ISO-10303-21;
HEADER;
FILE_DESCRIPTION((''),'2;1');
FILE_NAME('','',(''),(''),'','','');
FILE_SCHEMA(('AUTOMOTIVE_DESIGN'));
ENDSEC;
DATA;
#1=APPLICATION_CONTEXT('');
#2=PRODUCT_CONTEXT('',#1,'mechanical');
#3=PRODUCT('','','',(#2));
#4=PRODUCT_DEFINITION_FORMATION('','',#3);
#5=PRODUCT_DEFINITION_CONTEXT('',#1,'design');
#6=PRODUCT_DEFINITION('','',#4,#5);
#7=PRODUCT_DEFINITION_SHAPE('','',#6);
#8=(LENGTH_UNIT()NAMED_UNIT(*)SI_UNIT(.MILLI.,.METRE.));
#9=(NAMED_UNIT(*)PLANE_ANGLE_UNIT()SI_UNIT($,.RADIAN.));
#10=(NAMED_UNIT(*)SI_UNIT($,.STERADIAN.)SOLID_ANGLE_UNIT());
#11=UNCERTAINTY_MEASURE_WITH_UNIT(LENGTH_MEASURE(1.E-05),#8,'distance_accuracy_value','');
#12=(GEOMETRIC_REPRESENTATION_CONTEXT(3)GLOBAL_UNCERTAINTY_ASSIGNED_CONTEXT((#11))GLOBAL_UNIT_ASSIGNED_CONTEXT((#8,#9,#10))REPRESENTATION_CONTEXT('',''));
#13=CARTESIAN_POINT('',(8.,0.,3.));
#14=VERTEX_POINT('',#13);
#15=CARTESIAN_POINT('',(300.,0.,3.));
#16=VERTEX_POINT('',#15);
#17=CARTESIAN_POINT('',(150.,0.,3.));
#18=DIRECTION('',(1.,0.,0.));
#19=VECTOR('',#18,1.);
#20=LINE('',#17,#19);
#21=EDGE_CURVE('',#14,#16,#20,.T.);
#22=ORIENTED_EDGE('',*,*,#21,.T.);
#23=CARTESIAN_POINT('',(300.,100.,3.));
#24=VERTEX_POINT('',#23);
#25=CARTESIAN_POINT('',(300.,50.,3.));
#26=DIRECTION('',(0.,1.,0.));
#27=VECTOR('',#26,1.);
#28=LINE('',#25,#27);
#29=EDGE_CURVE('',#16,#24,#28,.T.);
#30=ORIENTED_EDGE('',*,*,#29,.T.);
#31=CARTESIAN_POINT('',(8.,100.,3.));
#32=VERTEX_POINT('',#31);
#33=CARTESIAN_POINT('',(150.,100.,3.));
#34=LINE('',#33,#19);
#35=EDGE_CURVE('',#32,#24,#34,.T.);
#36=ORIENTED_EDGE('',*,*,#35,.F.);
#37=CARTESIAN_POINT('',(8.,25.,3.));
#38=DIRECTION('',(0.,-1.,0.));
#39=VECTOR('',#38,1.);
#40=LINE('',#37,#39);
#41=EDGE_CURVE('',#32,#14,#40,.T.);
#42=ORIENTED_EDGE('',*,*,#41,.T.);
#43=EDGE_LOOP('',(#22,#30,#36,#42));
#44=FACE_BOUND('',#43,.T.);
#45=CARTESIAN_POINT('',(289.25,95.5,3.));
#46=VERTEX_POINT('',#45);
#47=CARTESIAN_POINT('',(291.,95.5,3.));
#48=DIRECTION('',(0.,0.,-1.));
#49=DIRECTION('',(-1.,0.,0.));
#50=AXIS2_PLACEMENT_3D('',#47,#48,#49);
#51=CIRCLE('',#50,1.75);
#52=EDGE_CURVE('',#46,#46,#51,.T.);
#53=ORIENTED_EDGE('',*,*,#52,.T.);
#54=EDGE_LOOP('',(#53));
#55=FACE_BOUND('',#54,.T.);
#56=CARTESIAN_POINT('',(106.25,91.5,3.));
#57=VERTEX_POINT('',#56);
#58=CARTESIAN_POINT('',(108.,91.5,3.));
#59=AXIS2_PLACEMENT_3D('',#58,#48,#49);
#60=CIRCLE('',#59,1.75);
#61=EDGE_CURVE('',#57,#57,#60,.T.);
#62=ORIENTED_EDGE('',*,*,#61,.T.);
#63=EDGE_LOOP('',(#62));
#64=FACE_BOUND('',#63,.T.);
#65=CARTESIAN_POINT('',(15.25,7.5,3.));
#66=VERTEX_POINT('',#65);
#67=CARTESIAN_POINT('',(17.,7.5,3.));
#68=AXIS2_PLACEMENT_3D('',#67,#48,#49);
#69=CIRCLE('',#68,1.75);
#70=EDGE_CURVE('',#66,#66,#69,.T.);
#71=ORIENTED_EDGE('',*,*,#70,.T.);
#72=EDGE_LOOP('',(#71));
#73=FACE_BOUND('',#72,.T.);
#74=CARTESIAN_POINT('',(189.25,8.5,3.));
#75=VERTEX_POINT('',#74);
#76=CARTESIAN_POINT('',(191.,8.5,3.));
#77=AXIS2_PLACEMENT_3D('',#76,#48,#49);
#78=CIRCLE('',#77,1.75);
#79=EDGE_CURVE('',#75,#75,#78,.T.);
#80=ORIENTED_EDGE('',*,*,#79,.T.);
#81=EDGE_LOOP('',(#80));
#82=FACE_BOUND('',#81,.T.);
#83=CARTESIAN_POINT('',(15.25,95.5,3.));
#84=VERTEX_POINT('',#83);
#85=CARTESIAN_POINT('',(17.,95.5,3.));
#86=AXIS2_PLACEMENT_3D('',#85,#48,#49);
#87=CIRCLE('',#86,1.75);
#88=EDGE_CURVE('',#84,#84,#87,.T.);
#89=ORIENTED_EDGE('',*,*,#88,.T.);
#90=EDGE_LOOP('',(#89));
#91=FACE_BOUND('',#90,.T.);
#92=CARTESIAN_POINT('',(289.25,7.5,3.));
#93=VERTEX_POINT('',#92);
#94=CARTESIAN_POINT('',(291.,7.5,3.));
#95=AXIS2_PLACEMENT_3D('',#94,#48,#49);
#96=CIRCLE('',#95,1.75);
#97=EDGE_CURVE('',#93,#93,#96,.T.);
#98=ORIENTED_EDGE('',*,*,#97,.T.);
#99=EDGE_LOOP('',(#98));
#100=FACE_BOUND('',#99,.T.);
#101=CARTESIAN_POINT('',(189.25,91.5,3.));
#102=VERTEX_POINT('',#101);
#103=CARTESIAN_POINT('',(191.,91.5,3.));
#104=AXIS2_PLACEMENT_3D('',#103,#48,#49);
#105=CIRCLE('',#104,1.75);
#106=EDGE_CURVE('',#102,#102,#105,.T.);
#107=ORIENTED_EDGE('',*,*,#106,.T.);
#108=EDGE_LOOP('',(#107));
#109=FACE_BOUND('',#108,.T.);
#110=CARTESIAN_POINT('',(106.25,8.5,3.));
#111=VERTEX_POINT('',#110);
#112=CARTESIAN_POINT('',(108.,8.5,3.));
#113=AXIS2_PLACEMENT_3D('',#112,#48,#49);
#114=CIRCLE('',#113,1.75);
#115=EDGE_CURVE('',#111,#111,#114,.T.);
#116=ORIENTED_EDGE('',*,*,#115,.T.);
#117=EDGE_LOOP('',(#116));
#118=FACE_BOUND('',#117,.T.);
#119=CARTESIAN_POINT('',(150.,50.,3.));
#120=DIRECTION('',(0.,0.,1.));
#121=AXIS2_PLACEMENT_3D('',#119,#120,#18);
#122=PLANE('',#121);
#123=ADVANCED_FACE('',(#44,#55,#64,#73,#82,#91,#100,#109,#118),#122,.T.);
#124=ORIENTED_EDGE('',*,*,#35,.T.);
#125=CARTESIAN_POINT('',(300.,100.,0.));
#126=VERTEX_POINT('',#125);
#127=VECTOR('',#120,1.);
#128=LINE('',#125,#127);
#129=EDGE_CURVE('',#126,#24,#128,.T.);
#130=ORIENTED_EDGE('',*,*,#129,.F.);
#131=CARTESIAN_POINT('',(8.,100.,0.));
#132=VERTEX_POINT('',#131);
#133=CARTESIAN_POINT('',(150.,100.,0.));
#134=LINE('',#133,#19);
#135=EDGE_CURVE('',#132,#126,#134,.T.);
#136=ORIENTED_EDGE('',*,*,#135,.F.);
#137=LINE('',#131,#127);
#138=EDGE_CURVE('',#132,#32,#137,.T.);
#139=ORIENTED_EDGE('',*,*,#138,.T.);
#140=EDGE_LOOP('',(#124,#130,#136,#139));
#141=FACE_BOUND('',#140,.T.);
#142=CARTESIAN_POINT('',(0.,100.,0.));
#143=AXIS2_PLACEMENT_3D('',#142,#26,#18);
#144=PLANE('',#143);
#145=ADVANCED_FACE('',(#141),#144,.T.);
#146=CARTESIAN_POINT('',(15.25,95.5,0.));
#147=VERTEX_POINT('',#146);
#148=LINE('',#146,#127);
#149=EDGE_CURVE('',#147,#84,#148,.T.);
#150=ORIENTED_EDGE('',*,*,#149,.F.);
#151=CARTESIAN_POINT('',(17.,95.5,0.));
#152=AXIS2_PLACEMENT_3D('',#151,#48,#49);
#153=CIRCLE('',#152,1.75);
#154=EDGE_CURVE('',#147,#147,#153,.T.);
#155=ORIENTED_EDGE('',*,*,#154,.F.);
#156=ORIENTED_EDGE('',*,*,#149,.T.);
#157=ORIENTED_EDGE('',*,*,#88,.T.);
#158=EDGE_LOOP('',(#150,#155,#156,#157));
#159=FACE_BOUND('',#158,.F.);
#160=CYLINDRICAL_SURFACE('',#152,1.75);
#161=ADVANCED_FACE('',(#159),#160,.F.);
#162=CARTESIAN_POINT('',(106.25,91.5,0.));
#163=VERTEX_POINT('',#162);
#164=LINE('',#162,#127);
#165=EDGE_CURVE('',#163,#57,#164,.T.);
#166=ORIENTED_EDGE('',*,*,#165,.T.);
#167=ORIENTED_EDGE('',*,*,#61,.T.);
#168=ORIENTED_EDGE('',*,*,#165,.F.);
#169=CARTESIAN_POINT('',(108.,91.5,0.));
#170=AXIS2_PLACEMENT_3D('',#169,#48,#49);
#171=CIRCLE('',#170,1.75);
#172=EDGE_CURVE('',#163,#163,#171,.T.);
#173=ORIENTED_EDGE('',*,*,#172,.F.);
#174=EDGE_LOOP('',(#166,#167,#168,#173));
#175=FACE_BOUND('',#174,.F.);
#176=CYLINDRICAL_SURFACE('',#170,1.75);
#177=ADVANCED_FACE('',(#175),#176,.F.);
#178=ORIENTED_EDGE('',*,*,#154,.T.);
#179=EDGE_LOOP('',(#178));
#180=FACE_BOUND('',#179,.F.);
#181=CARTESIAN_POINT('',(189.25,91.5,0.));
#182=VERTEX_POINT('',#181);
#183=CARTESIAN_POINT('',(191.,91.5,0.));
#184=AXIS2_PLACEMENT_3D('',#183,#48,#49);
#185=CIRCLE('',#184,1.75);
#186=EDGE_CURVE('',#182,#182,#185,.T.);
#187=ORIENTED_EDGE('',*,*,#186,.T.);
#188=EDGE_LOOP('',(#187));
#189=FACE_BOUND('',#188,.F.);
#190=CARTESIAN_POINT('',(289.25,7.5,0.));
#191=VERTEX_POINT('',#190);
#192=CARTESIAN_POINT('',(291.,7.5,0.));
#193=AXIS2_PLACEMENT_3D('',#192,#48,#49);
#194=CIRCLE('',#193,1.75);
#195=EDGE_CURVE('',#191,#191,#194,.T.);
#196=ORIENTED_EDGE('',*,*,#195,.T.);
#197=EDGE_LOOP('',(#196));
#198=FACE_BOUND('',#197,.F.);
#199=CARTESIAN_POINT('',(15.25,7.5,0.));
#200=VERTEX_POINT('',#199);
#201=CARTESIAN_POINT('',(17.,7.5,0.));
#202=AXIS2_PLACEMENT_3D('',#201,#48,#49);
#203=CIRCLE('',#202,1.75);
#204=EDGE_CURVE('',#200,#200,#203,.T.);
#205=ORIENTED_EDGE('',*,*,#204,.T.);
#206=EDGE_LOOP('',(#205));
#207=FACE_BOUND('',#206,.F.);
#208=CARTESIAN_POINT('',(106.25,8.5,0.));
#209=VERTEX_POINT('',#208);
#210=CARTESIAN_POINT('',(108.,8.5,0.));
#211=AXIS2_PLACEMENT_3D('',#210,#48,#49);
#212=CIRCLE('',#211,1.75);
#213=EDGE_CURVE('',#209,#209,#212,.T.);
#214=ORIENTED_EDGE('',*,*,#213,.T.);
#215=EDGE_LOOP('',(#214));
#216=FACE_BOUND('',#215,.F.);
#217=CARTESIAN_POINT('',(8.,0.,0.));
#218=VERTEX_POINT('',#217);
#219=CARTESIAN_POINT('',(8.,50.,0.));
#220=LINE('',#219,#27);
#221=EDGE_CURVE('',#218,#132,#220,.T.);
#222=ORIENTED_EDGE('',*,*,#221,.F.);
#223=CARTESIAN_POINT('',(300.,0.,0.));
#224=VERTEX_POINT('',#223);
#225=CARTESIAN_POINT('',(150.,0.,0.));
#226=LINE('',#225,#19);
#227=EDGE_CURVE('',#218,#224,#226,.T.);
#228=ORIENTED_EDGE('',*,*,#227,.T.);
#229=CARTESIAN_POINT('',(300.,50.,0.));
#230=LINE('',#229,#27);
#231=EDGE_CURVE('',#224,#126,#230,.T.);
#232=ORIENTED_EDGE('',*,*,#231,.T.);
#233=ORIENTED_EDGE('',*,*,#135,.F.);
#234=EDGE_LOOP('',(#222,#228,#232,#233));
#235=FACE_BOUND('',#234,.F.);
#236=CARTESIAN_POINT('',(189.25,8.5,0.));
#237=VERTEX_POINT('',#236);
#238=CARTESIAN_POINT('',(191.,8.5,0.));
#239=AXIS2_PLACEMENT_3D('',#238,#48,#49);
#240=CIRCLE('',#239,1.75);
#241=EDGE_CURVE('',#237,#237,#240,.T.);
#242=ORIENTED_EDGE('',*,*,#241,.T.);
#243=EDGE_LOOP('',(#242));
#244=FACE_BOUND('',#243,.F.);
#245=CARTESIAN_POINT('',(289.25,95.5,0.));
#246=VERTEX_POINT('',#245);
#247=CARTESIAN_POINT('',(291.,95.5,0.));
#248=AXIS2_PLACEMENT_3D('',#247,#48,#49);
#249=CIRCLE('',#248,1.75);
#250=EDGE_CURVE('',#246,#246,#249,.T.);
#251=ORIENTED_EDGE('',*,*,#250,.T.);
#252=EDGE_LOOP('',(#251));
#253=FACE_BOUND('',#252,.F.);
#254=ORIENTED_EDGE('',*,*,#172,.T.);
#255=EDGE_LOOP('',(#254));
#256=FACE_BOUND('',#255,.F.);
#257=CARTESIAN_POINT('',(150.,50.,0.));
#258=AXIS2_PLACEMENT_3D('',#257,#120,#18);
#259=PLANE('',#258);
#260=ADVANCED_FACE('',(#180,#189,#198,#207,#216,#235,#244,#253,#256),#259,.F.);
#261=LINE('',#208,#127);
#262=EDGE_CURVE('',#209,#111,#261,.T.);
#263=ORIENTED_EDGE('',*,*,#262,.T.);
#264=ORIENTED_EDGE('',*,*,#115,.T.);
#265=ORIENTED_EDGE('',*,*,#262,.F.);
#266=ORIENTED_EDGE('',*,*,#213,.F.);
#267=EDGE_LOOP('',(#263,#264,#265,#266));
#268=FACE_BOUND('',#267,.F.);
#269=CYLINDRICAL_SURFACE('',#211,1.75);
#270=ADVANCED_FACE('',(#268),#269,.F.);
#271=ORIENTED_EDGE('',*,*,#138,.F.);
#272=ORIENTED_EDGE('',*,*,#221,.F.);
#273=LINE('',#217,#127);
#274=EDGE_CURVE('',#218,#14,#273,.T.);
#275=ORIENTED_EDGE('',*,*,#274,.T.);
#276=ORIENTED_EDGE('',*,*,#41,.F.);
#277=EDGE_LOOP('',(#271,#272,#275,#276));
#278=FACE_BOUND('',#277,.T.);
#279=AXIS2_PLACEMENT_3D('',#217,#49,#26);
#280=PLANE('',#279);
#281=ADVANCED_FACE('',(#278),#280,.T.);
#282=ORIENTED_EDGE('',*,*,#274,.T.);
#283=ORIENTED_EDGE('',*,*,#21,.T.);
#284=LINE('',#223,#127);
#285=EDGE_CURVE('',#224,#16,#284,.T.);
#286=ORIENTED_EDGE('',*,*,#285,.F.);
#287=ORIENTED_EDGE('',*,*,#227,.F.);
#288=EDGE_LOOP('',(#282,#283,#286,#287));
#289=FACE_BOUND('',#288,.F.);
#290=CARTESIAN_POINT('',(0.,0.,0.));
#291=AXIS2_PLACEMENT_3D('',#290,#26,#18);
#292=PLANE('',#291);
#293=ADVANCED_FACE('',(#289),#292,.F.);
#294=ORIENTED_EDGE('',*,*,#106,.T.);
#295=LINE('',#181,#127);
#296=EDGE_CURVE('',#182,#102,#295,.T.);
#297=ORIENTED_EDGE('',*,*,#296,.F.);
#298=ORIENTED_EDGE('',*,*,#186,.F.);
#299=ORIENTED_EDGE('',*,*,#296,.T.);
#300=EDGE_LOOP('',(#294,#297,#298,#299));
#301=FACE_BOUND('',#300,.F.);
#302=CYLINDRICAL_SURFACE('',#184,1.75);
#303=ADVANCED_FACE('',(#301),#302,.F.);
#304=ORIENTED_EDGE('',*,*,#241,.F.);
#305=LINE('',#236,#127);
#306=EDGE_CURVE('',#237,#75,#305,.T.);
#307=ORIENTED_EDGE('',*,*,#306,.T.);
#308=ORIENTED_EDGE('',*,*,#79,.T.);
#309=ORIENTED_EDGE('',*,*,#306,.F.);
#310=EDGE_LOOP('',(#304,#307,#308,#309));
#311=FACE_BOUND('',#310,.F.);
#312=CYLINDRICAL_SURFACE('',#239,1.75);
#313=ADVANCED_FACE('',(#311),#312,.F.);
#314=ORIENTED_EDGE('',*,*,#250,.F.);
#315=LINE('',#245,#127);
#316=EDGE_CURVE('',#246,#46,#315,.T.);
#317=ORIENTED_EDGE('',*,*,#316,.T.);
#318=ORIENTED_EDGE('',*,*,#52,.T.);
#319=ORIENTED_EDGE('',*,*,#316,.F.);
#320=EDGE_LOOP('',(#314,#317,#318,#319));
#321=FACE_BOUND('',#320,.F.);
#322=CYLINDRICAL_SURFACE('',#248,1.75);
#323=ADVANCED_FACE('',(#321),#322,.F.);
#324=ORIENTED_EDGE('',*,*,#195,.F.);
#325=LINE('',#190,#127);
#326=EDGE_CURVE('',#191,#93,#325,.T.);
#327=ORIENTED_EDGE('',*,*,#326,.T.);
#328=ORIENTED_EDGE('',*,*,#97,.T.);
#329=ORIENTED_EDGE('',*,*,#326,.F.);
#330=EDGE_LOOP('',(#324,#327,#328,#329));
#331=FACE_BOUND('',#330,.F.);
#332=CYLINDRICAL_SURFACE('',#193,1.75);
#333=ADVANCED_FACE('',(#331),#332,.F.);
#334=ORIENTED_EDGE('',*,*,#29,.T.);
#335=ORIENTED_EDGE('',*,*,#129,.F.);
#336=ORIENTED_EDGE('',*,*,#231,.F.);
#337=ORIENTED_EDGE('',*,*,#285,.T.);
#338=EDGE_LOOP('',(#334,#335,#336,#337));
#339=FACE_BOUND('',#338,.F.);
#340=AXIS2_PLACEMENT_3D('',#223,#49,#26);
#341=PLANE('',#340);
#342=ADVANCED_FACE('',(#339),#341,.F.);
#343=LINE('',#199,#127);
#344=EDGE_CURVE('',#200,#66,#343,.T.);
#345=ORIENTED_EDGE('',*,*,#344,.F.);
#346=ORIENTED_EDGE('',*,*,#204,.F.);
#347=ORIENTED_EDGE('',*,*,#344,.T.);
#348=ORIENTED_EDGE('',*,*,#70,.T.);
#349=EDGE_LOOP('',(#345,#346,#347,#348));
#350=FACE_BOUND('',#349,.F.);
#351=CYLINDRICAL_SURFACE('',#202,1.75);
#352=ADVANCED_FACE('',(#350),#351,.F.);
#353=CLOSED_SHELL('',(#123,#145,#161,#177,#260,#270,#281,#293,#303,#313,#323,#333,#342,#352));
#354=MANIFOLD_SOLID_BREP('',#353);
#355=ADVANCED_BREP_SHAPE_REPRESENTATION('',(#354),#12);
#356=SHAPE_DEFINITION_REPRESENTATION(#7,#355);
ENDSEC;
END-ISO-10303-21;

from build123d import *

# Parameters (mm, degrees)
SKETCH1_W           = 300
SKETCH1_H           = 100
BOSS_EXTRUDE1_DEPTH = 3
SKETCH3_W           = 8
SKETCH3_H           = 100
CUT_EXTRUDE2_DEPTH  = 10
SKETCH4_R           = 1.75
CUT_EXTRUDE3_DEPTH  = 4
SKETCH7_R           = 1.75
CUT_EXTRUDE6_DEPTH  = 4


with BuildPart() as part:
    # Sketch1 → Boss-Extrude1 (new body)
    with BuildSketch(Plane.XY):
        with Locations((150, 50)):
            Rectangle(SKETCH1_W, SKETCH1_H)
    extrude(amount=BOSS_EXTRUDE1_DEPTH)

    # Sketch3 → Cut-Extrude2 (cut)
    with BuildSketch(Plane(origin=(0, 0, 0), x_dir=(-1, 0, 0), z_dir=(0, 0, -1))):
        with Locations((-4, 50)):
            Rectangle(SKETCH3_W, SKETCH3_H)
    extrude(amount=-CUT_EXTRUDE2_DEPTH, mode=Mode.SUBTRACT)

    # Sketch4 → Cut-Extrude3 (cut, through all)
    with BuildSketch(Plane(origin=(0, 0, 0), x_dir=(-1, 0, 0), z_dir=(0, 0, -1))):
        with Locations((-291, 95.5)):
            Circle(SKETCH4_R)
        with Locations((-17, 95.5)):
            Circle(SKETCH4_R)
        with Locations((-17, 7.5)):
            Circle(SKETCH4_R)
        with Locations((-291, 7.5)):
            Circle(SKETCH4_R)
    extrude(amount=-CUT_EXTRUDE3_DEPTH, mode=Mode.SUBTRACT)

    # Sketch7 → Cut-Extrude6 (cut, through all)
    with BuildSketch(Plane(origin=(0, 0, 0), x_dir=(-1, 0, 0), z_dir=(0, 0, -1))):
        with Locations((-108, 91.5)):
            Circle(SKETCH7_R)
        with Locations((-191, 91.5)):
            Circle(SKETCH7_R)
        with Locations((-191, 8.5)):
            Circle(SKETCH7_R)
        with Locations((-108, 8.5)):
            Circle(SKETCH7_R)
    extrude(amount=-CUT_EXTRUDE6_DEPTH, mode=Mode.SUBTRACT)


solid = part.part
